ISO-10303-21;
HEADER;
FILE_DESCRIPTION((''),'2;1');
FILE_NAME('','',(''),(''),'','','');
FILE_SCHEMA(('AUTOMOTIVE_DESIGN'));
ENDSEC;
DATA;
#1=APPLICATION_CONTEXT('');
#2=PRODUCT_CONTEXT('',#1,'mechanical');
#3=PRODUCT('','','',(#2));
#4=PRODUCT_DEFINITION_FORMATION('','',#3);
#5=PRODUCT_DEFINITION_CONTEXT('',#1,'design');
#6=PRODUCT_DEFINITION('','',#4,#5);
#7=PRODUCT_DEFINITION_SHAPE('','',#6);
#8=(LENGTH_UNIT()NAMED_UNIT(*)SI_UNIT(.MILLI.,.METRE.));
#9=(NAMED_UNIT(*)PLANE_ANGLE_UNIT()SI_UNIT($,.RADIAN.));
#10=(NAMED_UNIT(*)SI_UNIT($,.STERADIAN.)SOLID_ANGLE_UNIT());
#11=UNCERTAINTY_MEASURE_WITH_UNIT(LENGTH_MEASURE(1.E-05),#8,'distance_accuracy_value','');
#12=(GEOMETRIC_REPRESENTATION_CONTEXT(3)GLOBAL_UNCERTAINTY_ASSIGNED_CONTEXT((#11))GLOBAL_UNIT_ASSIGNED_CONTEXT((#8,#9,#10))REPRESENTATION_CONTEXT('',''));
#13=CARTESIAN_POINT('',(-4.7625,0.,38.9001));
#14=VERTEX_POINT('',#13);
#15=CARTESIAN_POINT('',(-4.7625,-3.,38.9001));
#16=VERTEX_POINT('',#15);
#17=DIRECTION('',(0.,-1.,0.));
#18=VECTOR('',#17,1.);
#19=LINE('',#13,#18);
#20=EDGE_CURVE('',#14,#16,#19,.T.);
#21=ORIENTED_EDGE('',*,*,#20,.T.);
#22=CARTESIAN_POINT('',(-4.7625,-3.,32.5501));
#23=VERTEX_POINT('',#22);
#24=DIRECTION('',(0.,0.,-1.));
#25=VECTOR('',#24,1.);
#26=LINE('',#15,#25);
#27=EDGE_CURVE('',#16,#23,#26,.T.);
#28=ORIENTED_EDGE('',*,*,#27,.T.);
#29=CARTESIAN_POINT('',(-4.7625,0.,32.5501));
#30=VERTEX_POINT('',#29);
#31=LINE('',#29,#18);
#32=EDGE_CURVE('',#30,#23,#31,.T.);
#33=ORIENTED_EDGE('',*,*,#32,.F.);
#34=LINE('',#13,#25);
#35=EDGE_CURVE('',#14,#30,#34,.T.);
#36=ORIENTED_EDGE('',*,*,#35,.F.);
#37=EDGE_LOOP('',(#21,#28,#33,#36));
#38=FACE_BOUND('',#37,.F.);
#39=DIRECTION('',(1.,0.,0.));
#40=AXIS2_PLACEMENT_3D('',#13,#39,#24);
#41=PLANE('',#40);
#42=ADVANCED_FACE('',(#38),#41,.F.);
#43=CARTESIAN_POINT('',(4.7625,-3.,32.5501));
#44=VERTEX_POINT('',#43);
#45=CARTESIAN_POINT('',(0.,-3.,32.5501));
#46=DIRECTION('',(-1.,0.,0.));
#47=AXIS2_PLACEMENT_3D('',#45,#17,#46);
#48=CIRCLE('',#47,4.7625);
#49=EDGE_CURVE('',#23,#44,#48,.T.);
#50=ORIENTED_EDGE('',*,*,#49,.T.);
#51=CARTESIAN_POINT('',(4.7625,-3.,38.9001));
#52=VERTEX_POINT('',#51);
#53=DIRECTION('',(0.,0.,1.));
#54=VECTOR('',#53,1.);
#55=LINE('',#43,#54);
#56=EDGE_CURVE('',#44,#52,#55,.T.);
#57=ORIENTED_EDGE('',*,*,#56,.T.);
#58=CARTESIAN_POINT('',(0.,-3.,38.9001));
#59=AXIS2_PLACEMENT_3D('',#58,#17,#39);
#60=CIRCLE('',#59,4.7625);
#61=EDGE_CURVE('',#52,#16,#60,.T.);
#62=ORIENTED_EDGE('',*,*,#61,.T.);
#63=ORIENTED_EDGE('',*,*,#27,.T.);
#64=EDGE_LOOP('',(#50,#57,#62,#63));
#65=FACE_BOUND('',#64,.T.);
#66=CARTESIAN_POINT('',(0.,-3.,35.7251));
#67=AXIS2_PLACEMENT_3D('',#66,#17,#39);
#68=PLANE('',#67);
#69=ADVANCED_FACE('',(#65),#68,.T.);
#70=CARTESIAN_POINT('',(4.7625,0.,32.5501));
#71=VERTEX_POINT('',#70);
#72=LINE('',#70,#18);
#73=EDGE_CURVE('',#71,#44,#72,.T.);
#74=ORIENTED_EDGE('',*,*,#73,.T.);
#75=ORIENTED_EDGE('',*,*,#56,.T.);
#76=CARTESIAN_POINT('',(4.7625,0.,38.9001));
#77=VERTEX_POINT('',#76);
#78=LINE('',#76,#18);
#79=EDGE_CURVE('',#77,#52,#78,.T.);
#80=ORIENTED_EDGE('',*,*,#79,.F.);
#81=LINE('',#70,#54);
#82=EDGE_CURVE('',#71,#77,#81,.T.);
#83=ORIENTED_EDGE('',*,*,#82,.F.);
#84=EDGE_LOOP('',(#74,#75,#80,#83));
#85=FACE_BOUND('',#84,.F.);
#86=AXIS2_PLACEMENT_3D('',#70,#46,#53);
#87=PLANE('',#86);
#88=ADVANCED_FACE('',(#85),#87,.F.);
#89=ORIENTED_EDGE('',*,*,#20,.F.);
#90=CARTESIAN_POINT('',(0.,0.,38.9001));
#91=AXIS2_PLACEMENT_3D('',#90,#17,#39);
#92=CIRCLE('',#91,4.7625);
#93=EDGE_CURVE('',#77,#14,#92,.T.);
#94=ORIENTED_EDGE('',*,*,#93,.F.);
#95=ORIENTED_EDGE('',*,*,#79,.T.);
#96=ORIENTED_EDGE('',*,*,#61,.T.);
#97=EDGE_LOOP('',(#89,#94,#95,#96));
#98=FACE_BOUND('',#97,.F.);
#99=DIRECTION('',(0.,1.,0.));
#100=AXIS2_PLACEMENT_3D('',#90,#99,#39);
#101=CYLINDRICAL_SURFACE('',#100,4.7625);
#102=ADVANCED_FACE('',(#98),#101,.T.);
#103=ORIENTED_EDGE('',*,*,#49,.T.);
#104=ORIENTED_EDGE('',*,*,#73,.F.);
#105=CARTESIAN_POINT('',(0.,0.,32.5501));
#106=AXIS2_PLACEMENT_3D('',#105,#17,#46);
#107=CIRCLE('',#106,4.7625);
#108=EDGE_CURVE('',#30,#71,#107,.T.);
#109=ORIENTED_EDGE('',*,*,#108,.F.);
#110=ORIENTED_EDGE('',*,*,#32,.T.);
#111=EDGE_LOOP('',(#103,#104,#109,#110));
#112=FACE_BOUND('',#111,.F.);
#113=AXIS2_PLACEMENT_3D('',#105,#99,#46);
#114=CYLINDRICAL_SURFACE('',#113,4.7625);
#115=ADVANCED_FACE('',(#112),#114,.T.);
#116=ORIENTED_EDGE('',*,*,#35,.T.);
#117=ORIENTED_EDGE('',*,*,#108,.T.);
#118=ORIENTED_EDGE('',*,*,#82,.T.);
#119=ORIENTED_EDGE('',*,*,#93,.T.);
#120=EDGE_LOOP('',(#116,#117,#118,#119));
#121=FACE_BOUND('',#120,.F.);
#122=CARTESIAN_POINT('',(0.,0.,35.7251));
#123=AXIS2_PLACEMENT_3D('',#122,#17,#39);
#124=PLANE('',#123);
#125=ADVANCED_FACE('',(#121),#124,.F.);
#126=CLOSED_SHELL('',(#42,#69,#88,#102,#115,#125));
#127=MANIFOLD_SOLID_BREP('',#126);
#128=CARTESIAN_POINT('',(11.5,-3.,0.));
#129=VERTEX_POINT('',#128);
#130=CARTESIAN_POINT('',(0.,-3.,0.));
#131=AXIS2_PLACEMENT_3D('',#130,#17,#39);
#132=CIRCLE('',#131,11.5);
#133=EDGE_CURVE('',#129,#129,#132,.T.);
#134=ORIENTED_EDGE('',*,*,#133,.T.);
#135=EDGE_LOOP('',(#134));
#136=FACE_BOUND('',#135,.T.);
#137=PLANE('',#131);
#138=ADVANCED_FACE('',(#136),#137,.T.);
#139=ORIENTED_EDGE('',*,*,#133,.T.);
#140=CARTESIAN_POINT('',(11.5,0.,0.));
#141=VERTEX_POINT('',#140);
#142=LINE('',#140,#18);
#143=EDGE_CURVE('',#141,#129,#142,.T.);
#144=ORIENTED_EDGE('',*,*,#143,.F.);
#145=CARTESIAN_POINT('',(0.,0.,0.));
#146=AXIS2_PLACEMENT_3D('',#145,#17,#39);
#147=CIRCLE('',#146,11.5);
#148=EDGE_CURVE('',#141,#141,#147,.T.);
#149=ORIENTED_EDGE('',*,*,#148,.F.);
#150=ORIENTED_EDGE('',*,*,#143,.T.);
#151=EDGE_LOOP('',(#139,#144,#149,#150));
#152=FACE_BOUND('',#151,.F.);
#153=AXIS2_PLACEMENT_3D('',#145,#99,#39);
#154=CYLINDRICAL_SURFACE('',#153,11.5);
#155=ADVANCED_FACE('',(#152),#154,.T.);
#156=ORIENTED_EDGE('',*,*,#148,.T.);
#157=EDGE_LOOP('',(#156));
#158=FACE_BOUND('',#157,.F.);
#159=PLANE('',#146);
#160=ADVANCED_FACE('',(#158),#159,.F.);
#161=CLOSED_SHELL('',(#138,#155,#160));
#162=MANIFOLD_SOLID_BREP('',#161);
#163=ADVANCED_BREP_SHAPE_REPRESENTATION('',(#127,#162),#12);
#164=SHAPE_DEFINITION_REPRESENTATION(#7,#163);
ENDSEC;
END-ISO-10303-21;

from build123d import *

# Parameters (mm, degrees)
F0_R     = 11.5
F1_DEPTH = 3
F3_DEPTH = 3.001
F4_R     = 1.25
F5_DEPTH = 3.001


with BuildPart() as f1:
    # F0 (on Front) → F1 (new body)
    with BuildSketch(Plane.XZ):
        Circle(F0_R)
        with BuildLine():
            Line((-4.7625, 38.9001), (-4.7625, 32.5501))
            ThreePointArc((-4.7625, 32.5501), (0, 27.7876), (4.7625, 32.5501))
            Line((4.7625, 32.5501), (4.7625, 38.9001))
            ThreePointArc((4.7625, 38.9001), (0, 43.6626), (-4.7625, 38.9001))
        make_face()
    extrude(amount=F1_DEPTH)

    # F2 (on face) → F3 (cut, through all)
    with BuildSketch(Plane.XZ.offset(3)):
        with BuildLine():
            Line((-10.9125, 32.5501), (-10.9125, 38.4502))
            ThreePointArc((-10.9125, 38.4502), (-12.5, 40.0377), (-14.0875, 38.4502))
            Line((-14.0875, 38.4502), (-14.0875, 32.5501))
            ThreePointArc((-14.0875, 32.5501), (-12.5, 30.9626), (-10.9125, 32.5501))
        make_face()
        with BuildLine():
            ThreePointArc((14.0875, 38.4502), (12.5, 40.0377), (10.9125, 38.4502))
            Line((10.9125, 38.4502), (10.9125, 32.5501))
            ThreePointArc((10.9125, 32.5501), (12.5, 30.9626), (14.0875, 32.5501))
            Line((14.0875, 32.5501), (14.0875, 38.4502))
        make_face()
    extrude(amount=-F3_DEPTH, mode=Mode.SUBTRACT)

    # F4 (on face) → F5 (cut, through all)
    with BuildSketch(Plane.XZ.offset(3)):
        with Locations((0, 15)):
            Circle(F4_R)
        with Locations((-24.5, -15)):
            Circle(F4_R)
        with Locations((24.5, -15)):
            Circle(F4_R)
    extrude(amount=-F5_DEPTH, mode=Mode.SUBTRACT)


solid = f1.part
